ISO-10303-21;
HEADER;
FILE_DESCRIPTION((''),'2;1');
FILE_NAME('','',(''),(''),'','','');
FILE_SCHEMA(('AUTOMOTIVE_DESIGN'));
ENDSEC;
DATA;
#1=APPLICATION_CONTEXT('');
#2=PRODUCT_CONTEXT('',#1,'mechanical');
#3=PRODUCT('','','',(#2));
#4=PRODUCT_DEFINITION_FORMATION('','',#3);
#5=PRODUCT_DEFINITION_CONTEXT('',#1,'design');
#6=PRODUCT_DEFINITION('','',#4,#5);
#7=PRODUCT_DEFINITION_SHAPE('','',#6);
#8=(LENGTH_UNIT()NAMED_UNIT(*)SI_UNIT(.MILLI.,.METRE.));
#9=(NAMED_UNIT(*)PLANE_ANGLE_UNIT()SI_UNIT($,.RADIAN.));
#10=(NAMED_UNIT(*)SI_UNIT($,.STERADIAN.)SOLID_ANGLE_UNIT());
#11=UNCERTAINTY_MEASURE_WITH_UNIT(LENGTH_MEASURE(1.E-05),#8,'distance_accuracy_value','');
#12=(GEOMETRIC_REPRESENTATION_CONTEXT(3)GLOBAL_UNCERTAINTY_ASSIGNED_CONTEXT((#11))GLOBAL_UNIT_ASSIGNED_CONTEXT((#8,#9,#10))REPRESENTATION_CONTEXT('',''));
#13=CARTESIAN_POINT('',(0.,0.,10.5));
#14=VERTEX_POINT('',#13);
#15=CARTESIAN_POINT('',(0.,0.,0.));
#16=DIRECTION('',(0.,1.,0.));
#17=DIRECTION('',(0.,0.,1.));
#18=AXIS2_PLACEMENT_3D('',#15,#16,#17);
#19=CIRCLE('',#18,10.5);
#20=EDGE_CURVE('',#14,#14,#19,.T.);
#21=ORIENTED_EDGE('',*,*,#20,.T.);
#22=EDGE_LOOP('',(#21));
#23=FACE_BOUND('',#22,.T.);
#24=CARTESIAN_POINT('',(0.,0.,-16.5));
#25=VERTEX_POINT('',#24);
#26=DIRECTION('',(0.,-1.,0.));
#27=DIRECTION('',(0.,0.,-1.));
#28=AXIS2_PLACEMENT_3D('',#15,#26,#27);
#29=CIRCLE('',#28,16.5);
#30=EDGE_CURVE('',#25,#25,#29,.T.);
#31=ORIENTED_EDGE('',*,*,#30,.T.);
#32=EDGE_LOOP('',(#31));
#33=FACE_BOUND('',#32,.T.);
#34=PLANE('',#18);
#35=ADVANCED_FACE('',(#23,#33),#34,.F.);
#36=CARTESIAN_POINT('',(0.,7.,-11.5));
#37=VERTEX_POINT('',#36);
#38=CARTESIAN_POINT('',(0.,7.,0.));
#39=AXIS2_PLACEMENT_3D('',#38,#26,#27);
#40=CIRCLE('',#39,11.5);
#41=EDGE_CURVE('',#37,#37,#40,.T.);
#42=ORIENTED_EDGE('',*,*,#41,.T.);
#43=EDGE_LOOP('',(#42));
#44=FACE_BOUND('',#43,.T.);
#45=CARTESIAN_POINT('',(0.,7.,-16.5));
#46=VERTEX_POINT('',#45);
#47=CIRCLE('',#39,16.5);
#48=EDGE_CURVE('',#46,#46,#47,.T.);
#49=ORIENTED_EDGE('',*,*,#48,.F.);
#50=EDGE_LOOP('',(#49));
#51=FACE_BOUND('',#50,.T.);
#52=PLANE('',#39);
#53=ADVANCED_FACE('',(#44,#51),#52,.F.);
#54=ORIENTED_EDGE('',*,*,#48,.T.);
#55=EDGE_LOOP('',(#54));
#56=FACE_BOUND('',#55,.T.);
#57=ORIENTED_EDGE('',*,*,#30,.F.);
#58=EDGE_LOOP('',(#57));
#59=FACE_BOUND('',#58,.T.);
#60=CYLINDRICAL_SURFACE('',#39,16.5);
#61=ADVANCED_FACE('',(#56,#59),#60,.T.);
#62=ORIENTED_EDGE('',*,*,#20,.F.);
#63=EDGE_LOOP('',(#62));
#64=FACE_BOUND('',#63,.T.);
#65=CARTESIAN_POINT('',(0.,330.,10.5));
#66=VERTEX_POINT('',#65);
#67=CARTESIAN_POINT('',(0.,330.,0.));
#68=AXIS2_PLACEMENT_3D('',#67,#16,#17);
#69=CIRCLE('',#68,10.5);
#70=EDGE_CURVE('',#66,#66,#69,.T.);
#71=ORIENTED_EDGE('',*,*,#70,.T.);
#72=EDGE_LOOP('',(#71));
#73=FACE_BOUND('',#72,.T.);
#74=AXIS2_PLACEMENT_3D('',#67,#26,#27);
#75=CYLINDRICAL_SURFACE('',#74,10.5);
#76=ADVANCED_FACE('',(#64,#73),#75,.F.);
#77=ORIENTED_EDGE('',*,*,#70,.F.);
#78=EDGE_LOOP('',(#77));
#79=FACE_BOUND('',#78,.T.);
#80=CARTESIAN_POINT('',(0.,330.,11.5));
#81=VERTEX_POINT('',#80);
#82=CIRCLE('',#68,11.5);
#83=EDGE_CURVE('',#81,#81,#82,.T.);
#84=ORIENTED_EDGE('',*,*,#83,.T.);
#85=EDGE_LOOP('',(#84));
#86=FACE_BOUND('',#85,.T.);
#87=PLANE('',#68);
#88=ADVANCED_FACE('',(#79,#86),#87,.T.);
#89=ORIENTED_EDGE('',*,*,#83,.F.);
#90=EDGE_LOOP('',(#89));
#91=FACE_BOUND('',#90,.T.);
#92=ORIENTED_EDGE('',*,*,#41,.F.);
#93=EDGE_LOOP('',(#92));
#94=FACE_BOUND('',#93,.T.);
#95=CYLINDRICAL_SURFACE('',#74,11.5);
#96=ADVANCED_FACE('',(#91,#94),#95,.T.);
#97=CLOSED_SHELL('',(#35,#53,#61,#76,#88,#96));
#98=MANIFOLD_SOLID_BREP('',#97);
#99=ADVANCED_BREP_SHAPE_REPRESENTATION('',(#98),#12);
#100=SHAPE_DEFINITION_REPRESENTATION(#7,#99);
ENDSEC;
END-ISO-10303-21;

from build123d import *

# Parameters (mm, degrees)
SKETCH1_R           = 11.5
SKETCH1_R_2         = 10.5
BOSS_EXTRUDE1_DEPTH = 330
SKETCH2_R           = 16.5
SKETCH2_R_2         = 10.5
BOSS_EXTRUDE2_DEPTH = 7


with BuildPart() as part:
    # Sketch1 → Boss-Extrude1 (new body)
    with BuildSketch(Plane(origin=(0, 0, 0), x_dir=(1, 0, 0), z_dir=(0, 1, 0))):
        with Locations(Location((0, 0, 0), (0, 0, 270))):
            Circle(SKETCH1_R)
        with Locations(Location((0, 0, 0), (0, 0, 270))):
            Circle(SKETCH1_R_2, mode=Mode.SUBTRACT)
    extrude(amount=BOSS_EXTRUDE1_DEPTH)

    # Sketch2 → Boss-Extrude2 (add)
    with BuildSketch(Plane.XZ):
        with Locations(Location((0, 0, 0), (0, 0, 270))):
            Circle(SKETCH2_R)
        with Locations(Location((0, 0, 0), (0, 0, 90))):
            Circle(SKETCH2_R_2, mode=Mode.SUBTRACT)
    extrude(amount=-BOSS_EXTRUDE2_DEPTH)


solid = part.part
